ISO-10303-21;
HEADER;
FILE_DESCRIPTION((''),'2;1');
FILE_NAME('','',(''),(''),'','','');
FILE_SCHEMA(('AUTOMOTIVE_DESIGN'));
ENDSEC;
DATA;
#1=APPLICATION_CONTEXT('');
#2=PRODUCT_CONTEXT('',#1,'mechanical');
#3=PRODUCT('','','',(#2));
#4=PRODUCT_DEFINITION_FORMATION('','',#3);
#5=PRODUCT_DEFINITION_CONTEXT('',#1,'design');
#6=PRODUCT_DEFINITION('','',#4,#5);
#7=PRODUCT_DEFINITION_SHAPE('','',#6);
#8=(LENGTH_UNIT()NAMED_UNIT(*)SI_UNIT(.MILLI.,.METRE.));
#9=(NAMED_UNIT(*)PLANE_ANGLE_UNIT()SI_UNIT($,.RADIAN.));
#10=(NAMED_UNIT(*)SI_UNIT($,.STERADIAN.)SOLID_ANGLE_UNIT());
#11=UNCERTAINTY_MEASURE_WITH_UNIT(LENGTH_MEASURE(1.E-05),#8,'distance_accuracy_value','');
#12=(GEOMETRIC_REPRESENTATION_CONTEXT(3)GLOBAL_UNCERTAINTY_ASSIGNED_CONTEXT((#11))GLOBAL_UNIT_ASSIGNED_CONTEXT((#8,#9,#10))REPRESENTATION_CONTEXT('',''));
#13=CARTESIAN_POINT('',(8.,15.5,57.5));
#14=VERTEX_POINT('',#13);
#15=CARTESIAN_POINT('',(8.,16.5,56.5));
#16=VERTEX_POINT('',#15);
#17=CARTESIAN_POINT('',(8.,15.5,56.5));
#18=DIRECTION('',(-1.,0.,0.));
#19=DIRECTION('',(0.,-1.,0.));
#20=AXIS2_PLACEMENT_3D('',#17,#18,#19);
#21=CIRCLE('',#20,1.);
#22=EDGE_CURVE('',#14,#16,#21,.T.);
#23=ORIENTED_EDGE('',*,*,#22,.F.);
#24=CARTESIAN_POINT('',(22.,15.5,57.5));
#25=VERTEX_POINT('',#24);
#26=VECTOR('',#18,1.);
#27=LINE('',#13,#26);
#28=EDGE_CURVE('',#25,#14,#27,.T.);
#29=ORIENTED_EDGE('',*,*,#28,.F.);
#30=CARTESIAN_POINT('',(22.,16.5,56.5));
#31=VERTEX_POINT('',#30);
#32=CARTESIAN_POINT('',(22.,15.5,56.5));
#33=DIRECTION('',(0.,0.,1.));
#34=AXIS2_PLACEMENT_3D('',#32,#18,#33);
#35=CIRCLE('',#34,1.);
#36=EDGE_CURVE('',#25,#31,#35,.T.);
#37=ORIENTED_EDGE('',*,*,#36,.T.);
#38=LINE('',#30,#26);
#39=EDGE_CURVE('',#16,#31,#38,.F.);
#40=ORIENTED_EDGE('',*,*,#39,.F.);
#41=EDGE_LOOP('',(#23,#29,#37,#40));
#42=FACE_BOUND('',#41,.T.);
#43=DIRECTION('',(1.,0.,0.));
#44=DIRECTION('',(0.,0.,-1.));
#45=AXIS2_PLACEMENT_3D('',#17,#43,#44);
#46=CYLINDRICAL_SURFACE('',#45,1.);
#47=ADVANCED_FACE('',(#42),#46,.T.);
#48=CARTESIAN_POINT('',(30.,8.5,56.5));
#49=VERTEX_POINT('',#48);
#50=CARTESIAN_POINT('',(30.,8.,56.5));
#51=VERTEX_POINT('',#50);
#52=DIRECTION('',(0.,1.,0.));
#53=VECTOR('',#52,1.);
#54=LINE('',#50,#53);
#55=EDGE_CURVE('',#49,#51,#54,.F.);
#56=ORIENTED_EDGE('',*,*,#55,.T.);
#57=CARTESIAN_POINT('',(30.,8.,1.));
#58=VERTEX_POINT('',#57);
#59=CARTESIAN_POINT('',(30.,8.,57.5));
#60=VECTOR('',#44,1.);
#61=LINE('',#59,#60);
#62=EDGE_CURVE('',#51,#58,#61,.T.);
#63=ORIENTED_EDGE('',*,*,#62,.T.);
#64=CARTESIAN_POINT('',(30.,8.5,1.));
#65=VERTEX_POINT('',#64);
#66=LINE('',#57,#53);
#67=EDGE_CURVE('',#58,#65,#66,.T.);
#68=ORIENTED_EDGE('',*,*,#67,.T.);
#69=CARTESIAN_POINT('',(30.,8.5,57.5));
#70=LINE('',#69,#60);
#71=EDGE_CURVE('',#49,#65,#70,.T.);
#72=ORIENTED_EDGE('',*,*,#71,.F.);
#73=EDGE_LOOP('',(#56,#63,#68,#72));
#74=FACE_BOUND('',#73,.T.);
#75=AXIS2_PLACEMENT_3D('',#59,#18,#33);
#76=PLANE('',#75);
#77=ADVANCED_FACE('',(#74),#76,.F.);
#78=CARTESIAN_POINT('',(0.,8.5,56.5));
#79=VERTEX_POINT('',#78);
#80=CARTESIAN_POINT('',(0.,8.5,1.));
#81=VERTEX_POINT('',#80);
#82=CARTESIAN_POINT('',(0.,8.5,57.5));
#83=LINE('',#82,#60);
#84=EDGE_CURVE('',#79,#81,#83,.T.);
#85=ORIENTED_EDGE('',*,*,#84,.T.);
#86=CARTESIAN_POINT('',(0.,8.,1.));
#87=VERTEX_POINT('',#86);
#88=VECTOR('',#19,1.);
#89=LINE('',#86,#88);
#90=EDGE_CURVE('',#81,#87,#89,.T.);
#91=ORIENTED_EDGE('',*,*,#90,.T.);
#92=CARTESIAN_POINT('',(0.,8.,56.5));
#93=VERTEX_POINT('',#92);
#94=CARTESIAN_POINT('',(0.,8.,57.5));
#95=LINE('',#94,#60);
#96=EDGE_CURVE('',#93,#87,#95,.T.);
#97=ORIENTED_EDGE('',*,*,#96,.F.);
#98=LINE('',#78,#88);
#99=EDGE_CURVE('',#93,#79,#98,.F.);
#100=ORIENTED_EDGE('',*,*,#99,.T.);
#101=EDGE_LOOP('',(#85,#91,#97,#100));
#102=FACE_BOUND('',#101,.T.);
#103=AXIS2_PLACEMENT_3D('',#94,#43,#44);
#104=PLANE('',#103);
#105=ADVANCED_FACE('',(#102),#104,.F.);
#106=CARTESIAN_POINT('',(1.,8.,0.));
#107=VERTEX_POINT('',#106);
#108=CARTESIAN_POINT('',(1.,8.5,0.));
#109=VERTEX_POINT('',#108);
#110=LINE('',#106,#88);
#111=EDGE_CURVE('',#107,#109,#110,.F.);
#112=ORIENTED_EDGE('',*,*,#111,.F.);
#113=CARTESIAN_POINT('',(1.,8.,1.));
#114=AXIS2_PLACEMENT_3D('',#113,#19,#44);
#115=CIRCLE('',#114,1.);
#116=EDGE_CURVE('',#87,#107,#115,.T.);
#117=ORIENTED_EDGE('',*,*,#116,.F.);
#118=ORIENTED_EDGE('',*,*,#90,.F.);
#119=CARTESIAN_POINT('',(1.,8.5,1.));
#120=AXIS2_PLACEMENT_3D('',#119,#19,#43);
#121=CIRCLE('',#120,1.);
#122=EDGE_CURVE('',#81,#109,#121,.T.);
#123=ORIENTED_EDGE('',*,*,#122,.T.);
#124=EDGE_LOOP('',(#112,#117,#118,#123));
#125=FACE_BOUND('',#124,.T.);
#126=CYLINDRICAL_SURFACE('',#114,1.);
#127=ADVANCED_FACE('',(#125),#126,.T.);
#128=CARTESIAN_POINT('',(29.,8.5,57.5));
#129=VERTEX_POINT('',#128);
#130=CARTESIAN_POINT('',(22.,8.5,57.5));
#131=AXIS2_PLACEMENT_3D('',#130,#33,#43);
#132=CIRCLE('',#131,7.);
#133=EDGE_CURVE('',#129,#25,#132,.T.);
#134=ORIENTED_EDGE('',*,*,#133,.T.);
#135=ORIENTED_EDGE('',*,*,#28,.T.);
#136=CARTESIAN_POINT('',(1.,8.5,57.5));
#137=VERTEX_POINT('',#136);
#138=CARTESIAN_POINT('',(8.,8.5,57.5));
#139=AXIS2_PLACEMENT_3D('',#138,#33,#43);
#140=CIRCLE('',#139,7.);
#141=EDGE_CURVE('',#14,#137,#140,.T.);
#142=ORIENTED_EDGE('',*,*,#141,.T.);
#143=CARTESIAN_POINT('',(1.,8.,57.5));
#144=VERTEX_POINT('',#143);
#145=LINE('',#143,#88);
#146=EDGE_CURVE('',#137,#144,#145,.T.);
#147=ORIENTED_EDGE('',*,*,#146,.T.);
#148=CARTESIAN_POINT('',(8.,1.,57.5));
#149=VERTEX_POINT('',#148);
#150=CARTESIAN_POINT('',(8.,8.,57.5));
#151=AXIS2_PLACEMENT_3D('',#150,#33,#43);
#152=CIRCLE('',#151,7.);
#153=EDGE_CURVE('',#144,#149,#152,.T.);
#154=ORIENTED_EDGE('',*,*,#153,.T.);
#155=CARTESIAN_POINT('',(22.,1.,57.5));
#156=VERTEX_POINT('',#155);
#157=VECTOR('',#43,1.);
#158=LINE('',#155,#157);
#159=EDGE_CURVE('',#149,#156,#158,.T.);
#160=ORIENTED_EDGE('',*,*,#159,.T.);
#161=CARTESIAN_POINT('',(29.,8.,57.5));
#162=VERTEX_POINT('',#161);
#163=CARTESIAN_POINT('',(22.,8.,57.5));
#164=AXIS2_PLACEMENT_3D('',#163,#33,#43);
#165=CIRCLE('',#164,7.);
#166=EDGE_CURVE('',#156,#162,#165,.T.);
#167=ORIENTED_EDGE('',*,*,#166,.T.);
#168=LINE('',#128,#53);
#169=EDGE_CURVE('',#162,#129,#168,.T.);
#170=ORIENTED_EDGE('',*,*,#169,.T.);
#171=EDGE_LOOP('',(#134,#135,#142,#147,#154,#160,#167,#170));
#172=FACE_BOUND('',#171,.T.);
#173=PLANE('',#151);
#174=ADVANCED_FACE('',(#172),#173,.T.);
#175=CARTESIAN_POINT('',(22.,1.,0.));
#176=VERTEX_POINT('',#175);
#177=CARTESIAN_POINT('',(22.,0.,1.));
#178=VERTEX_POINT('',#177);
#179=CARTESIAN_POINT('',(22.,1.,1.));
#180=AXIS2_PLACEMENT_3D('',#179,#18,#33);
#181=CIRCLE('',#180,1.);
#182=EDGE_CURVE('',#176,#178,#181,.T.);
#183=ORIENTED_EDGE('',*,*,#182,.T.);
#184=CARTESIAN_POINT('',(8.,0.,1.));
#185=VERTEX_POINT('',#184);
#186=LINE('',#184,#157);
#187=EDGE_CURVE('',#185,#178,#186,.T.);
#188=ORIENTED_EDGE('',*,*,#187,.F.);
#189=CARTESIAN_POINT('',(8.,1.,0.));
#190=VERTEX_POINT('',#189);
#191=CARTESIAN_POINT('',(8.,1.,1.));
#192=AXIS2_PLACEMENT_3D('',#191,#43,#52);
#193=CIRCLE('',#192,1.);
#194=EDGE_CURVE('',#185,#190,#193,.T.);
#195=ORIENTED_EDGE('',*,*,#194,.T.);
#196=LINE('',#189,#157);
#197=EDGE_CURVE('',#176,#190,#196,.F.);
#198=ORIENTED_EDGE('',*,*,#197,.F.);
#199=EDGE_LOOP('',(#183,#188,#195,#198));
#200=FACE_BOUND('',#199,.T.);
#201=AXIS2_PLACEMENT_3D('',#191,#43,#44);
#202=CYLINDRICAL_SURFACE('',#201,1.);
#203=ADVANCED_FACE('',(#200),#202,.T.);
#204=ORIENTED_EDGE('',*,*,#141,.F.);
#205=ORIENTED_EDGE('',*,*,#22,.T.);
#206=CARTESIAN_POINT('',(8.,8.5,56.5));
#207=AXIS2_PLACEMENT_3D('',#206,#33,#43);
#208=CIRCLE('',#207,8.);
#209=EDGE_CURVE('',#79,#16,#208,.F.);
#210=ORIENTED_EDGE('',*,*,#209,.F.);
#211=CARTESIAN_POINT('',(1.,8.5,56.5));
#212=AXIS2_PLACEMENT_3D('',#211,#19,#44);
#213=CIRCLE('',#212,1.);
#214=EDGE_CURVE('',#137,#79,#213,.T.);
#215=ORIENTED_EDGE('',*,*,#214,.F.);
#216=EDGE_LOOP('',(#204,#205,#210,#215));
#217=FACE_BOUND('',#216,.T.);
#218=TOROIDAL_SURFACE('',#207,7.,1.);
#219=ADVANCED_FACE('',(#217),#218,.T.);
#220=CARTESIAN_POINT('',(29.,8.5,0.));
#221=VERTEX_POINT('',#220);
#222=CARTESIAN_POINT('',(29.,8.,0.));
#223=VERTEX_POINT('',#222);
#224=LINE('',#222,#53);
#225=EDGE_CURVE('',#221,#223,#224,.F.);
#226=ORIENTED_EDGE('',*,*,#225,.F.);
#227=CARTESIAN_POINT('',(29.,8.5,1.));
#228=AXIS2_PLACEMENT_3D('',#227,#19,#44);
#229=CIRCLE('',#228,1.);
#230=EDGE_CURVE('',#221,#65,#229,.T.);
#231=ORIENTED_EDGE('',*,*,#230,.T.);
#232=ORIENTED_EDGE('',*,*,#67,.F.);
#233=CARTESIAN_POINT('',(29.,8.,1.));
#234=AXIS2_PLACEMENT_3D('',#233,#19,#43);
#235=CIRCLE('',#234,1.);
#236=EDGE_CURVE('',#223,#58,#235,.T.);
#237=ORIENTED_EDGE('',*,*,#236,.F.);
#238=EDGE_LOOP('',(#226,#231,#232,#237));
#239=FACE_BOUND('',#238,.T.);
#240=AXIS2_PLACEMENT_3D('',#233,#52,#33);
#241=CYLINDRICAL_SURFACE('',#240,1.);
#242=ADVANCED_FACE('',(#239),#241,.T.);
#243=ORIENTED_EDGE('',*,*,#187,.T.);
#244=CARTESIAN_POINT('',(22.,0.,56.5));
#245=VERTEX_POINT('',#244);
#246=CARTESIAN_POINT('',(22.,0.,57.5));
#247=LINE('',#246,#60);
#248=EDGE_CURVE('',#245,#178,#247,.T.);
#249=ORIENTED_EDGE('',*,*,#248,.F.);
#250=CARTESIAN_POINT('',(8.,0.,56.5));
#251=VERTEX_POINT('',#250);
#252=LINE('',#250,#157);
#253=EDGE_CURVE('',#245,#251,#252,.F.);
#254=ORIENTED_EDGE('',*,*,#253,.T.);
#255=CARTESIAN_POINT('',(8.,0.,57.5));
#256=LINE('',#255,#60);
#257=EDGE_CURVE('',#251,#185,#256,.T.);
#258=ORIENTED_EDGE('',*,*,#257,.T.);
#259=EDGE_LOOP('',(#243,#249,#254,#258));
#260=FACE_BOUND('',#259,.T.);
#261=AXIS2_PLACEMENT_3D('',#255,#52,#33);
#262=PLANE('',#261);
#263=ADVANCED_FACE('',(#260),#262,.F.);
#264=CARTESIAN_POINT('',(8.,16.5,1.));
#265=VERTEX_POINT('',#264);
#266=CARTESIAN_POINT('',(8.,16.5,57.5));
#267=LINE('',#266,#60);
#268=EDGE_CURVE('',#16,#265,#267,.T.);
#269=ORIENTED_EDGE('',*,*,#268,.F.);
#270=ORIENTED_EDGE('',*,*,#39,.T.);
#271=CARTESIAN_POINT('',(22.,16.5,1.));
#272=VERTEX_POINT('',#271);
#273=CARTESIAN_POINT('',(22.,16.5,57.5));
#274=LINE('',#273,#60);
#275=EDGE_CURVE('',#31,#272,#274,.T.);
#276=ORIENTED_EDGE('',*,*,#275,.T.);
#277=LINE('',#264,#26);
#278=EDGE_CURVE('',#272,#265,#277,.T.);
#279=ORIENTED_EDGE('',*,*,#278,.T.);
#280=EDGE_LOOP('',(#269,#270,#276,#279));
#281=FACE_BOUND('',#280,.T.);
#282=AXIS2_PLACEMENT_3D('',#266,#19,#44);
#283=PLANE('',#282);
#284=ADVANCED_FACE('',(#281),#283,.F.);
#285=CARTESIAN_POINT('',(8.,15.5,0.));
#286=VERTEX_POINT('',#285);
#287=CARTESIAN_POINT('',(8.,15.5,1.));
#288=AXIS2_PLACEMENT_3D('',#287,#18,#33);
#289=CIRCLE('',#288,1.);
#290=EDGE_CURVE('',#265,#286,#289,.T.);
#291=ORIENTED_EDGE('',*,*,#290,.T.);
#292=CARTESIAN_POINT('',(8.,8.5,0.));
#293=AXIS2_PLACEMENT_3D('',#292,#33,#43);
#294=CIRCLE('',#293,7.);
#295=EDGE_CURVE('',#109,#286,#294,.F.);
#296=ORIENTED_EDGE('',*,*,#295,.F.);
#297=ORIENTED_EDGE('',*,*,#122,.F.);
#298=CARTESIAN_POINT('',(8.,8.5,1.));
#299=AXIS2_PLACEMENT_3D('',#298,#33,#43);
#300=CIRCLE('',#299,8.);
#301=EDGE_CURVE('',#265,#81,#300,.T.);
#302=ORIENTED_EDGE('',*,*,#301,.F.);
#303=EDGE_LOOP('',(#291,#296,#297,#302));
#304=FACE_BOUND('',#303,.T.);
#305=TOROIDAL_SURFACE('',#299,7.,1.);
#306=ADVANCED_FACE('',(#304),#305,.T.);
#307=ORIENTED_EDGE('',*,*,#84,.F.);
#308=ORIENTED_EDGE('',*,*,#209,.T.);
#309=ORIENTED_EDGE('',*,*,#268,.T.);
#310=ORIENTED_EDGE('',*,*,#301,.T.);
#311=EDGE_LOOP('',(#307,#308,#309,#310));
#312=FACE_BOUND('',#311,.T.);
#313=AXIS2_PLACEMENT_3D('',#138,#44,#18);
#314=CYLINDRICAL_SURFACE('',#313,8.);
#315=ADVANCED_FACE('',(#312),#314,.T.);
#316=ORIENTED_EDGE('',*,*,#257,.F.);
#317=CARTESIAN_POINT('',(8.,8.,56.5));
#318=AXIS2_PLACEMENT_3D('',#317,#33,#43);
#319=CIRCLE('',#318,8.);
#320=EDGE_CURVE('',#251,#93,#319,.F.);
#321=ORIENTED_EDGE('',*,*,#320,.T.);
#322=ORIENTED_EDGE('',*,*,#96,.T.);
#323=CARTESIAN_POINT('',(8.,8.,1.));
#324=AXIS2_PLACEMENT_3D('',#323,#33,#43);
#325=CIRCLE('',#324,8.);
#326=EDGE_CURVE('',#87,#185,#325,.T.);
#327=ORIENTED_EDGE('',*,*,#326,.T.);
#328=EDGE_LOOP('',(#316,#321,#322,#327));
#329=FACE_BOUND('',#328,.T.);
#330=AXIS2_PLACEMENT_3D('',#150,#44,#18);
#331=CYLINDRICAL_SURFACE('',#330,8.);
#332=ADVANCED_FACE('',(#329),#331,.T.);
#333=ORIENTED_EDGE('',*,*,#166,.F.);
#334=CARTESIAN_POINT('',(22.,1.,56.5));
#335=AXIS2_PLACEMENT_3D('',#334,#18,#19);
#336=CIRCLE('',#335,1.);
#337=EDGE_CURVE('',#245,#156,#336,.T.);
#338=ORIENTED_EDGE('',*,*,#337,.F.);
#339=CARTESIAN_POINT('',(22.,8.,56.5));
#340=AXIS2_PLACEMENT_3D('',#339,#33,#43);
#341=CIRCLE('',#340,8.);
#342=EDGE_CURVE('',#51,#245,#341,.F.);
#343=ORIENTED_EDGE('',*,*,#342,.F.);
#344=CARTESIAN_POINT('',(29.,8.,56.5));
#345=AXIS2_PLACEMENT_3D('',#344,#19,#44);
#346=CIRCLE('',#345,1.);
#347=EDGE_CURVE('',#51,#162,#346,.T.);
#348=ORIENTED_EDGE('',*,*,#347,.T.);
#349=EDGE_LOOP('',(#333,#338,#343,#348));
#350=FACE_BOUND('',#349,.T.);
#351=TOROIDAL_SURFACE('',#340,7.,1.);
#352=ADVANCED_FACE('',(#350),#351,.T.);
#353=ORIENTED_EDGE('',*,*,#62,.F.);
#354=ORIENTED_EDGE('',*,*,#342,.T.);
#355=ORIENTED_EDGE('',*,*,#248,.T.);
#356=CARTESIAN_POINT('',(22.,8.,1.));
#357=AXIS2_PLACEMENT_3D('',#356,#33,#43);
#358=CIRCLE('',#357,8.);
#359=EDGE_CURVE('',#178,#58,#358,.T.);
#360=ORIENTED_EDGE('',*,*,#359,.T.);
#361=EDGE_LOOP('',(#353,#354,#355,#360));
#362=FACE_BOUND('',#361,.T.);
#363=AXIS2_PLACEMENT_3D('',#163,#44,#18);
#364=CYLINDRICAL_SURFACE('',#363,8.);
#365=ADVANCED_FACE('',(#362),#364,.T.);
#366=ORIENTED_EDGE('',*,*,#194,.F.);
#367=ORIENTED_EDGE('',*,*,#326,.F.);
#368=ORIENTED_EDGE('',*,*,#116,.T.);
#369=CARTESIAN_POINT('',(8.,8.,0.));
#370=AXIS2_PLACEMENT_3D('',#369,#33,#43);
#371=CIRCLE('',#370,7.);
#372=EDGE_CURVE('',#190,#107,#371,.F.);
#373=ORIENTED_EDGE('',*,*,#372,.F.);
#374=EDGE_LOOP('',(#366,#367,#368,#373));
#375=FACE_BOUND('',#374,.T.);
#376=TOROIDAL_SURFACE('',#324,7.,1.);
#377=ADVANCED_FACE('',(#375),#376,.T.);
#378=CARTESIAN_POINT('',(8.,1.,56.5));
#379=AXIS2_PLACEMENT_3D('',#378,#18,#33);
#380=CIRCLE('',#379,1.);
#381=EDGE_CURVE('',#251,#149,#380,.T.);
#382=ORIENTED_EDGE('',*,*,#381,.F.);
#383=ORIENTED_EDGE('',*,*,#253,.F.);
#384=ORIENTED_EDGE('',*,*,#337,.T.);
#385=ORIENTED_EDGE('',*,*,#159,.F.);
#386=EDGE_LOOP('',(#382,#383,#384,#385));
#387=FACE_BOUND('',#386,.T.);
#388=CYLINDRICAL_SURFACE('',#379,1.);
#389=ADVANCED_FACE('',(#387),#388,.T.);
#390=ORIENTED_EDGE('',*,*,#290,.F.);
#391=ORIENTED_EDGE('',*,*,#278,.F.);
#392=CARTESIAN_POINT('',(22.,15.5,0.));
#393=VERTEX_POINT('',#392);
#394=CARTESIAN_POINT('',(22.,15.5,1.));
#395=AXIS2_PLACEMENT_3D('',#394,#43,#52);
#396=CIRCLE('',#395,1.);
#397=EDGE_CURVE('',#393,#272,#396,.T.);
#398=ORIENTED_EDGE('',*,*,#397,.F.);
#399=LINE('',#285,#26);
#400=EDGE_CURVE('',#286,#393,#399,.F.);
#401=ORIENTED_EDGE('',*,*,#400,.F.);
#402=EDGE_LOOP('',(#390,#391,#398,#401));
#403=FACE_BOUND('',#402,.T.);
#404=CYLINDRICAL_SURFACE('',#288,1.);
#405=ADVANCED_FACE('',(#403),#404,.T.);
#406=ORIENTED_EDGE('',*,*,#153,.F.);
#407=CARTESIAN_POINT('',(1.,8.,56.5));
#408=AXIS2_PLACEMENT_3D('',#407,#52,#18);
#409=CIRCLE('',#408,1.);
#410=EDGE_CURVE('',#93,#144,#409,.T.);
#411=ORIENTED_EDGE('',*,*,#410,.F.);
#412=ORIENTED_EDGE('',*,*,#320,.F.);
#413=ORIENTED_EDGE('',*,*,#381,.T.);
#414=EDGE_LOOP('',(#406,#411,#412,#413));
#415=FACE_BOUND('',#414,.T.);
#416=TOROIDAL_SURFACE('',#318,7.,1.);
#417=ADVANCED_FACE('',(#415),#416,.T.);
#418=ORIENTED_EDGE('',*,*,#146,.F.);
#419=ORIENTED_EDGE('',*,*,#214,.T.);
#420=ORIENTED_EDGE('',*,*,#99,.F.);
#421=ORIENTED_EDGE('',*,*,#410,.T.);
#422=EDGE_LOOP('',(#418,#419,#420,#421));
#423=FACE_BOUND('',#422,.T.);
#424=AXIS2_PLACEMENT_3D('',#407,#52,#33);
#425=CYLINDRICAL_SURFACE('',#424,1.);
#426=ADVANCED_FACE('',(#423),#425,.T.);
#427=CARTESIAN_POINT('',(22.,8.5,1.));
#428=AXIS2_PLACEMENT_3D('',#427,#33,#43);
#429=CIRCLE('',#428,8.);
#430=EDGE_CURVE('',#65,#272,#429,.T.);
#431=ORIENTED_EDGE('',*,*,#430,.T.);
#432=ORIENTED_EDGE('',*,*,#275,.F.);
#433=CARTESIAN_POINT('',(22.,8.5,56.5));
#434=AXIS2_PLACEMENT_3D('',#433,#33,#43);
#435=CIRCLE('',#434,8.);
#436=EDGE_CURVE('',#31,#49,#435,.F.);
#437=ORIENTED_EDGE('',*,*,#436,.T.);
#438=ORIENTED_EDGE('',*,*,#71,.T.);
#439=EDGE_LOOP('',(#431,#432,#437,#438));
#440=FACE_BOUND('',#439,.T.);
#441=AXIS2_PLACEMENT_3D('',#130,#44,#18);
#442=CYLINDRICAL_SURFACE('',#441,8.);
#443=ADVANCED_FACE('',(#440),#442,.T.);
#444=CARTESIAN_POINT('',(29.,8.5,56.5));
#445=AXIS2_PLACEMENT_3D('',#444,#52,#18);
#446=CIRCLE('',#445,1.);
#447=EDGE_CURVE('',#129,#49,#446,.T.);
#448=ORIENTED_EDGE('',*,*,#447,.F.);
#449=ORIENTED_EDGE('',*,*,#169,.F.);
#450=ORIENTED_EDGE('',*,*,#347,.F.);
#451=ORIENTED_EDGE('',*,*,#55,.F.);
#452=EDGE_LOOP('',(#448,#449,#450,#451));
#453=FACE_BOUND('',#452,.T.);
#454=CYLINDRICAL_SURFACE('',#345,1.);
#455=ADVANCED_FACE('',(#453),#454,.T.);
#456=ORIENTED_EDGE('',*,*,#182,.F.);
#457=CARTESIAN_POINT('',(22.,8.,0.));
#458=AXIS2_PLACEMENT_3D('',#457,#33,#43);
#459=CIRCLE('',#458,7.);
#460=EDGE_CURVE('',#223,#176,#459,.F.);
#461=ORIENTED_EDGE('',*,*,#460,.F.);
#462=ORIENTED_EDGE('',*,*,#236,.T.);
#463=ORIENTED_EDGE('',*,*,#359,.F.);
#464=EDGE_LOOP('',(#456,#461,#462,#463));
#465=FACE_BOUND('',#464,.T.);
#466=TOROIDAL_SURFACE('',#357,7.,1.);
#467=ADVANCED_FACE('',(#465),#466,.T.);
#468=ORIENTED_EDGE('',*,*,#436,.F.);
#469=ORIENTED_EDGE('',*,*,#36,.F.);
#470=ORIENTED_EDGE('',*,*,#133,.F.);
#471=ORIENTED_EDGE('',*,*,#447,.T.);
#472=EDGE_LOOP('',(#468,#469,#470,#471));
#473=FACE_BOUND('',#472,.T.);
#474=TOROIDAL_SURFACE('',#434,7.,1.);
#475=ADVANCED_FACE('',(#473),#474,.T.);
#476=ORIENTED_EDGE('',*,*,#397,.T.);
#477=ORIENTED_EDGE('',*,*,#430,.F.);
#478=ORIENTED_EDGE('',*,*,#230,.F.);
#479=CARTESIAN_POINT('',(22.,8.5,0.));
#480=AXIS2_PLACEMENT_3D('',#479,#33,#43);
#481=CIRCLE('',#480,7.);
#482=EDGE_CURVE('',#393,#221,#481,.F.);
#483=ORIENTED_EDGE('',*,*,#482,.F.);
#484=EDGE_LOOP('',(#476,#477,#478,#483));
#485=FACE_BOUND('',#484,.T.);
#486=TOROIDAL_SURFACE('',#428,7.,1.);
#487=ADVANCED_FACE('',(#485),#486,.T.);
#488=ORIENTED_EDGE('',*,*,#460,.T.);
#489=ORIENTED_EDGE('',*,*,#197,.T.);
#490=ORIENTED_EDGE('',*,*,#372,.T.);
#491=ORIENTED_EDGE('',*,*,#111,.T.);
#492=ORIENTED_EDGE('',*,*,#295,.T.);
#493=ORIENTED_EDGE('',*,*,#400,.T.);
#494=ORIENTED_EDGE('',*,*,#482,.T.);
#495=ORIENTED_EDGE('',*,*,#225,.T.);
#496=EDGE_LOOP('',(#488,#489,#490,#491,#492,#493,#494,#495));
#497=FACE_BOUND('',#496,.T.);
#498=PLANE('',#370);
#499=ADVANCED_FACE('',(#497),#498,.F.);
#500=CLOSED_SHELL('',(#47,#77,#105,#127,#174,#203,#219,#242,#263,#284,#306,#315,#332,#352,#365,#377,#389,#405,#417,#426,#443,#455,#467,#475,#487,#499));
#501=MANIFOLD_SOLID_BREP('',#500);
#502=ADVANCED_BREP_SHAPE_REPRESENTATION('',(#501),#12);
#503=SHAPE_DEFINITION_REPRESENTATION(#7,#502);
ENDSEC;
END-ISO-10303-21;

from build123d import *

# Parameters (mm, degrees)
BOSS_EXTRUDE1_DEPTH = 57.5
FILLET1_R           = 1


with BuildPart() as part:
    # Sketch1 → Boss-Extrude1 (new body)
    with BuildSketch(Plane.XY):
        with BuildLine():
            Line((8, 0), (22, 0))
            ThreePointArc((22, 0), (27.656854249, 2.343145751), (30, 8))
            Line((30, 8), (30, 8.5))
            ThreePointArc((30, 8.5), (27.656854249, 14.156854249), (22, 16.5))
            Line((22, 16.5), (8, 16.5))
            ThreePointArc((8, 16.5), (2.343145751, 14.156854249), (0, 8.5))
            Line((0, 8.5), (0, 8))
            ThreePointArc((0, 8), (2.343145751, 2.343145751), (8, 0))
        make_face()
    extrude(amount=BOSS_EXTRUDE1_DEPTH)

    # Fillet1
    fillet1_edges = [part.edges().sort_by_distance(p)[0] for p in [
        (27.656854249, 2.343145751, 57.5),
        (15, 0, 0),
        (2.343145751, 2.343145751, 0),
        (30, 8.25, 57.5),
        (27.656854249, 14.156854249, 57.5),
        (15, 16.5, 57.5),
        (2.343145751, 14.156854249, 57.5),
        (0, 8.25, 57.5),
        (2.343145751, 2.343145751, 57.5),
        (15, 0, 57.5),
        (0, 8.25, 0),
        (2.343145751, 14.156854249, 0),
        (15, 16.5, 0),
        (27.656854249, 14.156854249, 0),
        (30, 8.25, 0),
        (27.656854249, 2.343145751, 0),
    ]]
    fillet(fillet1_edges, radius=FILLET1_R)


solid = part.part
